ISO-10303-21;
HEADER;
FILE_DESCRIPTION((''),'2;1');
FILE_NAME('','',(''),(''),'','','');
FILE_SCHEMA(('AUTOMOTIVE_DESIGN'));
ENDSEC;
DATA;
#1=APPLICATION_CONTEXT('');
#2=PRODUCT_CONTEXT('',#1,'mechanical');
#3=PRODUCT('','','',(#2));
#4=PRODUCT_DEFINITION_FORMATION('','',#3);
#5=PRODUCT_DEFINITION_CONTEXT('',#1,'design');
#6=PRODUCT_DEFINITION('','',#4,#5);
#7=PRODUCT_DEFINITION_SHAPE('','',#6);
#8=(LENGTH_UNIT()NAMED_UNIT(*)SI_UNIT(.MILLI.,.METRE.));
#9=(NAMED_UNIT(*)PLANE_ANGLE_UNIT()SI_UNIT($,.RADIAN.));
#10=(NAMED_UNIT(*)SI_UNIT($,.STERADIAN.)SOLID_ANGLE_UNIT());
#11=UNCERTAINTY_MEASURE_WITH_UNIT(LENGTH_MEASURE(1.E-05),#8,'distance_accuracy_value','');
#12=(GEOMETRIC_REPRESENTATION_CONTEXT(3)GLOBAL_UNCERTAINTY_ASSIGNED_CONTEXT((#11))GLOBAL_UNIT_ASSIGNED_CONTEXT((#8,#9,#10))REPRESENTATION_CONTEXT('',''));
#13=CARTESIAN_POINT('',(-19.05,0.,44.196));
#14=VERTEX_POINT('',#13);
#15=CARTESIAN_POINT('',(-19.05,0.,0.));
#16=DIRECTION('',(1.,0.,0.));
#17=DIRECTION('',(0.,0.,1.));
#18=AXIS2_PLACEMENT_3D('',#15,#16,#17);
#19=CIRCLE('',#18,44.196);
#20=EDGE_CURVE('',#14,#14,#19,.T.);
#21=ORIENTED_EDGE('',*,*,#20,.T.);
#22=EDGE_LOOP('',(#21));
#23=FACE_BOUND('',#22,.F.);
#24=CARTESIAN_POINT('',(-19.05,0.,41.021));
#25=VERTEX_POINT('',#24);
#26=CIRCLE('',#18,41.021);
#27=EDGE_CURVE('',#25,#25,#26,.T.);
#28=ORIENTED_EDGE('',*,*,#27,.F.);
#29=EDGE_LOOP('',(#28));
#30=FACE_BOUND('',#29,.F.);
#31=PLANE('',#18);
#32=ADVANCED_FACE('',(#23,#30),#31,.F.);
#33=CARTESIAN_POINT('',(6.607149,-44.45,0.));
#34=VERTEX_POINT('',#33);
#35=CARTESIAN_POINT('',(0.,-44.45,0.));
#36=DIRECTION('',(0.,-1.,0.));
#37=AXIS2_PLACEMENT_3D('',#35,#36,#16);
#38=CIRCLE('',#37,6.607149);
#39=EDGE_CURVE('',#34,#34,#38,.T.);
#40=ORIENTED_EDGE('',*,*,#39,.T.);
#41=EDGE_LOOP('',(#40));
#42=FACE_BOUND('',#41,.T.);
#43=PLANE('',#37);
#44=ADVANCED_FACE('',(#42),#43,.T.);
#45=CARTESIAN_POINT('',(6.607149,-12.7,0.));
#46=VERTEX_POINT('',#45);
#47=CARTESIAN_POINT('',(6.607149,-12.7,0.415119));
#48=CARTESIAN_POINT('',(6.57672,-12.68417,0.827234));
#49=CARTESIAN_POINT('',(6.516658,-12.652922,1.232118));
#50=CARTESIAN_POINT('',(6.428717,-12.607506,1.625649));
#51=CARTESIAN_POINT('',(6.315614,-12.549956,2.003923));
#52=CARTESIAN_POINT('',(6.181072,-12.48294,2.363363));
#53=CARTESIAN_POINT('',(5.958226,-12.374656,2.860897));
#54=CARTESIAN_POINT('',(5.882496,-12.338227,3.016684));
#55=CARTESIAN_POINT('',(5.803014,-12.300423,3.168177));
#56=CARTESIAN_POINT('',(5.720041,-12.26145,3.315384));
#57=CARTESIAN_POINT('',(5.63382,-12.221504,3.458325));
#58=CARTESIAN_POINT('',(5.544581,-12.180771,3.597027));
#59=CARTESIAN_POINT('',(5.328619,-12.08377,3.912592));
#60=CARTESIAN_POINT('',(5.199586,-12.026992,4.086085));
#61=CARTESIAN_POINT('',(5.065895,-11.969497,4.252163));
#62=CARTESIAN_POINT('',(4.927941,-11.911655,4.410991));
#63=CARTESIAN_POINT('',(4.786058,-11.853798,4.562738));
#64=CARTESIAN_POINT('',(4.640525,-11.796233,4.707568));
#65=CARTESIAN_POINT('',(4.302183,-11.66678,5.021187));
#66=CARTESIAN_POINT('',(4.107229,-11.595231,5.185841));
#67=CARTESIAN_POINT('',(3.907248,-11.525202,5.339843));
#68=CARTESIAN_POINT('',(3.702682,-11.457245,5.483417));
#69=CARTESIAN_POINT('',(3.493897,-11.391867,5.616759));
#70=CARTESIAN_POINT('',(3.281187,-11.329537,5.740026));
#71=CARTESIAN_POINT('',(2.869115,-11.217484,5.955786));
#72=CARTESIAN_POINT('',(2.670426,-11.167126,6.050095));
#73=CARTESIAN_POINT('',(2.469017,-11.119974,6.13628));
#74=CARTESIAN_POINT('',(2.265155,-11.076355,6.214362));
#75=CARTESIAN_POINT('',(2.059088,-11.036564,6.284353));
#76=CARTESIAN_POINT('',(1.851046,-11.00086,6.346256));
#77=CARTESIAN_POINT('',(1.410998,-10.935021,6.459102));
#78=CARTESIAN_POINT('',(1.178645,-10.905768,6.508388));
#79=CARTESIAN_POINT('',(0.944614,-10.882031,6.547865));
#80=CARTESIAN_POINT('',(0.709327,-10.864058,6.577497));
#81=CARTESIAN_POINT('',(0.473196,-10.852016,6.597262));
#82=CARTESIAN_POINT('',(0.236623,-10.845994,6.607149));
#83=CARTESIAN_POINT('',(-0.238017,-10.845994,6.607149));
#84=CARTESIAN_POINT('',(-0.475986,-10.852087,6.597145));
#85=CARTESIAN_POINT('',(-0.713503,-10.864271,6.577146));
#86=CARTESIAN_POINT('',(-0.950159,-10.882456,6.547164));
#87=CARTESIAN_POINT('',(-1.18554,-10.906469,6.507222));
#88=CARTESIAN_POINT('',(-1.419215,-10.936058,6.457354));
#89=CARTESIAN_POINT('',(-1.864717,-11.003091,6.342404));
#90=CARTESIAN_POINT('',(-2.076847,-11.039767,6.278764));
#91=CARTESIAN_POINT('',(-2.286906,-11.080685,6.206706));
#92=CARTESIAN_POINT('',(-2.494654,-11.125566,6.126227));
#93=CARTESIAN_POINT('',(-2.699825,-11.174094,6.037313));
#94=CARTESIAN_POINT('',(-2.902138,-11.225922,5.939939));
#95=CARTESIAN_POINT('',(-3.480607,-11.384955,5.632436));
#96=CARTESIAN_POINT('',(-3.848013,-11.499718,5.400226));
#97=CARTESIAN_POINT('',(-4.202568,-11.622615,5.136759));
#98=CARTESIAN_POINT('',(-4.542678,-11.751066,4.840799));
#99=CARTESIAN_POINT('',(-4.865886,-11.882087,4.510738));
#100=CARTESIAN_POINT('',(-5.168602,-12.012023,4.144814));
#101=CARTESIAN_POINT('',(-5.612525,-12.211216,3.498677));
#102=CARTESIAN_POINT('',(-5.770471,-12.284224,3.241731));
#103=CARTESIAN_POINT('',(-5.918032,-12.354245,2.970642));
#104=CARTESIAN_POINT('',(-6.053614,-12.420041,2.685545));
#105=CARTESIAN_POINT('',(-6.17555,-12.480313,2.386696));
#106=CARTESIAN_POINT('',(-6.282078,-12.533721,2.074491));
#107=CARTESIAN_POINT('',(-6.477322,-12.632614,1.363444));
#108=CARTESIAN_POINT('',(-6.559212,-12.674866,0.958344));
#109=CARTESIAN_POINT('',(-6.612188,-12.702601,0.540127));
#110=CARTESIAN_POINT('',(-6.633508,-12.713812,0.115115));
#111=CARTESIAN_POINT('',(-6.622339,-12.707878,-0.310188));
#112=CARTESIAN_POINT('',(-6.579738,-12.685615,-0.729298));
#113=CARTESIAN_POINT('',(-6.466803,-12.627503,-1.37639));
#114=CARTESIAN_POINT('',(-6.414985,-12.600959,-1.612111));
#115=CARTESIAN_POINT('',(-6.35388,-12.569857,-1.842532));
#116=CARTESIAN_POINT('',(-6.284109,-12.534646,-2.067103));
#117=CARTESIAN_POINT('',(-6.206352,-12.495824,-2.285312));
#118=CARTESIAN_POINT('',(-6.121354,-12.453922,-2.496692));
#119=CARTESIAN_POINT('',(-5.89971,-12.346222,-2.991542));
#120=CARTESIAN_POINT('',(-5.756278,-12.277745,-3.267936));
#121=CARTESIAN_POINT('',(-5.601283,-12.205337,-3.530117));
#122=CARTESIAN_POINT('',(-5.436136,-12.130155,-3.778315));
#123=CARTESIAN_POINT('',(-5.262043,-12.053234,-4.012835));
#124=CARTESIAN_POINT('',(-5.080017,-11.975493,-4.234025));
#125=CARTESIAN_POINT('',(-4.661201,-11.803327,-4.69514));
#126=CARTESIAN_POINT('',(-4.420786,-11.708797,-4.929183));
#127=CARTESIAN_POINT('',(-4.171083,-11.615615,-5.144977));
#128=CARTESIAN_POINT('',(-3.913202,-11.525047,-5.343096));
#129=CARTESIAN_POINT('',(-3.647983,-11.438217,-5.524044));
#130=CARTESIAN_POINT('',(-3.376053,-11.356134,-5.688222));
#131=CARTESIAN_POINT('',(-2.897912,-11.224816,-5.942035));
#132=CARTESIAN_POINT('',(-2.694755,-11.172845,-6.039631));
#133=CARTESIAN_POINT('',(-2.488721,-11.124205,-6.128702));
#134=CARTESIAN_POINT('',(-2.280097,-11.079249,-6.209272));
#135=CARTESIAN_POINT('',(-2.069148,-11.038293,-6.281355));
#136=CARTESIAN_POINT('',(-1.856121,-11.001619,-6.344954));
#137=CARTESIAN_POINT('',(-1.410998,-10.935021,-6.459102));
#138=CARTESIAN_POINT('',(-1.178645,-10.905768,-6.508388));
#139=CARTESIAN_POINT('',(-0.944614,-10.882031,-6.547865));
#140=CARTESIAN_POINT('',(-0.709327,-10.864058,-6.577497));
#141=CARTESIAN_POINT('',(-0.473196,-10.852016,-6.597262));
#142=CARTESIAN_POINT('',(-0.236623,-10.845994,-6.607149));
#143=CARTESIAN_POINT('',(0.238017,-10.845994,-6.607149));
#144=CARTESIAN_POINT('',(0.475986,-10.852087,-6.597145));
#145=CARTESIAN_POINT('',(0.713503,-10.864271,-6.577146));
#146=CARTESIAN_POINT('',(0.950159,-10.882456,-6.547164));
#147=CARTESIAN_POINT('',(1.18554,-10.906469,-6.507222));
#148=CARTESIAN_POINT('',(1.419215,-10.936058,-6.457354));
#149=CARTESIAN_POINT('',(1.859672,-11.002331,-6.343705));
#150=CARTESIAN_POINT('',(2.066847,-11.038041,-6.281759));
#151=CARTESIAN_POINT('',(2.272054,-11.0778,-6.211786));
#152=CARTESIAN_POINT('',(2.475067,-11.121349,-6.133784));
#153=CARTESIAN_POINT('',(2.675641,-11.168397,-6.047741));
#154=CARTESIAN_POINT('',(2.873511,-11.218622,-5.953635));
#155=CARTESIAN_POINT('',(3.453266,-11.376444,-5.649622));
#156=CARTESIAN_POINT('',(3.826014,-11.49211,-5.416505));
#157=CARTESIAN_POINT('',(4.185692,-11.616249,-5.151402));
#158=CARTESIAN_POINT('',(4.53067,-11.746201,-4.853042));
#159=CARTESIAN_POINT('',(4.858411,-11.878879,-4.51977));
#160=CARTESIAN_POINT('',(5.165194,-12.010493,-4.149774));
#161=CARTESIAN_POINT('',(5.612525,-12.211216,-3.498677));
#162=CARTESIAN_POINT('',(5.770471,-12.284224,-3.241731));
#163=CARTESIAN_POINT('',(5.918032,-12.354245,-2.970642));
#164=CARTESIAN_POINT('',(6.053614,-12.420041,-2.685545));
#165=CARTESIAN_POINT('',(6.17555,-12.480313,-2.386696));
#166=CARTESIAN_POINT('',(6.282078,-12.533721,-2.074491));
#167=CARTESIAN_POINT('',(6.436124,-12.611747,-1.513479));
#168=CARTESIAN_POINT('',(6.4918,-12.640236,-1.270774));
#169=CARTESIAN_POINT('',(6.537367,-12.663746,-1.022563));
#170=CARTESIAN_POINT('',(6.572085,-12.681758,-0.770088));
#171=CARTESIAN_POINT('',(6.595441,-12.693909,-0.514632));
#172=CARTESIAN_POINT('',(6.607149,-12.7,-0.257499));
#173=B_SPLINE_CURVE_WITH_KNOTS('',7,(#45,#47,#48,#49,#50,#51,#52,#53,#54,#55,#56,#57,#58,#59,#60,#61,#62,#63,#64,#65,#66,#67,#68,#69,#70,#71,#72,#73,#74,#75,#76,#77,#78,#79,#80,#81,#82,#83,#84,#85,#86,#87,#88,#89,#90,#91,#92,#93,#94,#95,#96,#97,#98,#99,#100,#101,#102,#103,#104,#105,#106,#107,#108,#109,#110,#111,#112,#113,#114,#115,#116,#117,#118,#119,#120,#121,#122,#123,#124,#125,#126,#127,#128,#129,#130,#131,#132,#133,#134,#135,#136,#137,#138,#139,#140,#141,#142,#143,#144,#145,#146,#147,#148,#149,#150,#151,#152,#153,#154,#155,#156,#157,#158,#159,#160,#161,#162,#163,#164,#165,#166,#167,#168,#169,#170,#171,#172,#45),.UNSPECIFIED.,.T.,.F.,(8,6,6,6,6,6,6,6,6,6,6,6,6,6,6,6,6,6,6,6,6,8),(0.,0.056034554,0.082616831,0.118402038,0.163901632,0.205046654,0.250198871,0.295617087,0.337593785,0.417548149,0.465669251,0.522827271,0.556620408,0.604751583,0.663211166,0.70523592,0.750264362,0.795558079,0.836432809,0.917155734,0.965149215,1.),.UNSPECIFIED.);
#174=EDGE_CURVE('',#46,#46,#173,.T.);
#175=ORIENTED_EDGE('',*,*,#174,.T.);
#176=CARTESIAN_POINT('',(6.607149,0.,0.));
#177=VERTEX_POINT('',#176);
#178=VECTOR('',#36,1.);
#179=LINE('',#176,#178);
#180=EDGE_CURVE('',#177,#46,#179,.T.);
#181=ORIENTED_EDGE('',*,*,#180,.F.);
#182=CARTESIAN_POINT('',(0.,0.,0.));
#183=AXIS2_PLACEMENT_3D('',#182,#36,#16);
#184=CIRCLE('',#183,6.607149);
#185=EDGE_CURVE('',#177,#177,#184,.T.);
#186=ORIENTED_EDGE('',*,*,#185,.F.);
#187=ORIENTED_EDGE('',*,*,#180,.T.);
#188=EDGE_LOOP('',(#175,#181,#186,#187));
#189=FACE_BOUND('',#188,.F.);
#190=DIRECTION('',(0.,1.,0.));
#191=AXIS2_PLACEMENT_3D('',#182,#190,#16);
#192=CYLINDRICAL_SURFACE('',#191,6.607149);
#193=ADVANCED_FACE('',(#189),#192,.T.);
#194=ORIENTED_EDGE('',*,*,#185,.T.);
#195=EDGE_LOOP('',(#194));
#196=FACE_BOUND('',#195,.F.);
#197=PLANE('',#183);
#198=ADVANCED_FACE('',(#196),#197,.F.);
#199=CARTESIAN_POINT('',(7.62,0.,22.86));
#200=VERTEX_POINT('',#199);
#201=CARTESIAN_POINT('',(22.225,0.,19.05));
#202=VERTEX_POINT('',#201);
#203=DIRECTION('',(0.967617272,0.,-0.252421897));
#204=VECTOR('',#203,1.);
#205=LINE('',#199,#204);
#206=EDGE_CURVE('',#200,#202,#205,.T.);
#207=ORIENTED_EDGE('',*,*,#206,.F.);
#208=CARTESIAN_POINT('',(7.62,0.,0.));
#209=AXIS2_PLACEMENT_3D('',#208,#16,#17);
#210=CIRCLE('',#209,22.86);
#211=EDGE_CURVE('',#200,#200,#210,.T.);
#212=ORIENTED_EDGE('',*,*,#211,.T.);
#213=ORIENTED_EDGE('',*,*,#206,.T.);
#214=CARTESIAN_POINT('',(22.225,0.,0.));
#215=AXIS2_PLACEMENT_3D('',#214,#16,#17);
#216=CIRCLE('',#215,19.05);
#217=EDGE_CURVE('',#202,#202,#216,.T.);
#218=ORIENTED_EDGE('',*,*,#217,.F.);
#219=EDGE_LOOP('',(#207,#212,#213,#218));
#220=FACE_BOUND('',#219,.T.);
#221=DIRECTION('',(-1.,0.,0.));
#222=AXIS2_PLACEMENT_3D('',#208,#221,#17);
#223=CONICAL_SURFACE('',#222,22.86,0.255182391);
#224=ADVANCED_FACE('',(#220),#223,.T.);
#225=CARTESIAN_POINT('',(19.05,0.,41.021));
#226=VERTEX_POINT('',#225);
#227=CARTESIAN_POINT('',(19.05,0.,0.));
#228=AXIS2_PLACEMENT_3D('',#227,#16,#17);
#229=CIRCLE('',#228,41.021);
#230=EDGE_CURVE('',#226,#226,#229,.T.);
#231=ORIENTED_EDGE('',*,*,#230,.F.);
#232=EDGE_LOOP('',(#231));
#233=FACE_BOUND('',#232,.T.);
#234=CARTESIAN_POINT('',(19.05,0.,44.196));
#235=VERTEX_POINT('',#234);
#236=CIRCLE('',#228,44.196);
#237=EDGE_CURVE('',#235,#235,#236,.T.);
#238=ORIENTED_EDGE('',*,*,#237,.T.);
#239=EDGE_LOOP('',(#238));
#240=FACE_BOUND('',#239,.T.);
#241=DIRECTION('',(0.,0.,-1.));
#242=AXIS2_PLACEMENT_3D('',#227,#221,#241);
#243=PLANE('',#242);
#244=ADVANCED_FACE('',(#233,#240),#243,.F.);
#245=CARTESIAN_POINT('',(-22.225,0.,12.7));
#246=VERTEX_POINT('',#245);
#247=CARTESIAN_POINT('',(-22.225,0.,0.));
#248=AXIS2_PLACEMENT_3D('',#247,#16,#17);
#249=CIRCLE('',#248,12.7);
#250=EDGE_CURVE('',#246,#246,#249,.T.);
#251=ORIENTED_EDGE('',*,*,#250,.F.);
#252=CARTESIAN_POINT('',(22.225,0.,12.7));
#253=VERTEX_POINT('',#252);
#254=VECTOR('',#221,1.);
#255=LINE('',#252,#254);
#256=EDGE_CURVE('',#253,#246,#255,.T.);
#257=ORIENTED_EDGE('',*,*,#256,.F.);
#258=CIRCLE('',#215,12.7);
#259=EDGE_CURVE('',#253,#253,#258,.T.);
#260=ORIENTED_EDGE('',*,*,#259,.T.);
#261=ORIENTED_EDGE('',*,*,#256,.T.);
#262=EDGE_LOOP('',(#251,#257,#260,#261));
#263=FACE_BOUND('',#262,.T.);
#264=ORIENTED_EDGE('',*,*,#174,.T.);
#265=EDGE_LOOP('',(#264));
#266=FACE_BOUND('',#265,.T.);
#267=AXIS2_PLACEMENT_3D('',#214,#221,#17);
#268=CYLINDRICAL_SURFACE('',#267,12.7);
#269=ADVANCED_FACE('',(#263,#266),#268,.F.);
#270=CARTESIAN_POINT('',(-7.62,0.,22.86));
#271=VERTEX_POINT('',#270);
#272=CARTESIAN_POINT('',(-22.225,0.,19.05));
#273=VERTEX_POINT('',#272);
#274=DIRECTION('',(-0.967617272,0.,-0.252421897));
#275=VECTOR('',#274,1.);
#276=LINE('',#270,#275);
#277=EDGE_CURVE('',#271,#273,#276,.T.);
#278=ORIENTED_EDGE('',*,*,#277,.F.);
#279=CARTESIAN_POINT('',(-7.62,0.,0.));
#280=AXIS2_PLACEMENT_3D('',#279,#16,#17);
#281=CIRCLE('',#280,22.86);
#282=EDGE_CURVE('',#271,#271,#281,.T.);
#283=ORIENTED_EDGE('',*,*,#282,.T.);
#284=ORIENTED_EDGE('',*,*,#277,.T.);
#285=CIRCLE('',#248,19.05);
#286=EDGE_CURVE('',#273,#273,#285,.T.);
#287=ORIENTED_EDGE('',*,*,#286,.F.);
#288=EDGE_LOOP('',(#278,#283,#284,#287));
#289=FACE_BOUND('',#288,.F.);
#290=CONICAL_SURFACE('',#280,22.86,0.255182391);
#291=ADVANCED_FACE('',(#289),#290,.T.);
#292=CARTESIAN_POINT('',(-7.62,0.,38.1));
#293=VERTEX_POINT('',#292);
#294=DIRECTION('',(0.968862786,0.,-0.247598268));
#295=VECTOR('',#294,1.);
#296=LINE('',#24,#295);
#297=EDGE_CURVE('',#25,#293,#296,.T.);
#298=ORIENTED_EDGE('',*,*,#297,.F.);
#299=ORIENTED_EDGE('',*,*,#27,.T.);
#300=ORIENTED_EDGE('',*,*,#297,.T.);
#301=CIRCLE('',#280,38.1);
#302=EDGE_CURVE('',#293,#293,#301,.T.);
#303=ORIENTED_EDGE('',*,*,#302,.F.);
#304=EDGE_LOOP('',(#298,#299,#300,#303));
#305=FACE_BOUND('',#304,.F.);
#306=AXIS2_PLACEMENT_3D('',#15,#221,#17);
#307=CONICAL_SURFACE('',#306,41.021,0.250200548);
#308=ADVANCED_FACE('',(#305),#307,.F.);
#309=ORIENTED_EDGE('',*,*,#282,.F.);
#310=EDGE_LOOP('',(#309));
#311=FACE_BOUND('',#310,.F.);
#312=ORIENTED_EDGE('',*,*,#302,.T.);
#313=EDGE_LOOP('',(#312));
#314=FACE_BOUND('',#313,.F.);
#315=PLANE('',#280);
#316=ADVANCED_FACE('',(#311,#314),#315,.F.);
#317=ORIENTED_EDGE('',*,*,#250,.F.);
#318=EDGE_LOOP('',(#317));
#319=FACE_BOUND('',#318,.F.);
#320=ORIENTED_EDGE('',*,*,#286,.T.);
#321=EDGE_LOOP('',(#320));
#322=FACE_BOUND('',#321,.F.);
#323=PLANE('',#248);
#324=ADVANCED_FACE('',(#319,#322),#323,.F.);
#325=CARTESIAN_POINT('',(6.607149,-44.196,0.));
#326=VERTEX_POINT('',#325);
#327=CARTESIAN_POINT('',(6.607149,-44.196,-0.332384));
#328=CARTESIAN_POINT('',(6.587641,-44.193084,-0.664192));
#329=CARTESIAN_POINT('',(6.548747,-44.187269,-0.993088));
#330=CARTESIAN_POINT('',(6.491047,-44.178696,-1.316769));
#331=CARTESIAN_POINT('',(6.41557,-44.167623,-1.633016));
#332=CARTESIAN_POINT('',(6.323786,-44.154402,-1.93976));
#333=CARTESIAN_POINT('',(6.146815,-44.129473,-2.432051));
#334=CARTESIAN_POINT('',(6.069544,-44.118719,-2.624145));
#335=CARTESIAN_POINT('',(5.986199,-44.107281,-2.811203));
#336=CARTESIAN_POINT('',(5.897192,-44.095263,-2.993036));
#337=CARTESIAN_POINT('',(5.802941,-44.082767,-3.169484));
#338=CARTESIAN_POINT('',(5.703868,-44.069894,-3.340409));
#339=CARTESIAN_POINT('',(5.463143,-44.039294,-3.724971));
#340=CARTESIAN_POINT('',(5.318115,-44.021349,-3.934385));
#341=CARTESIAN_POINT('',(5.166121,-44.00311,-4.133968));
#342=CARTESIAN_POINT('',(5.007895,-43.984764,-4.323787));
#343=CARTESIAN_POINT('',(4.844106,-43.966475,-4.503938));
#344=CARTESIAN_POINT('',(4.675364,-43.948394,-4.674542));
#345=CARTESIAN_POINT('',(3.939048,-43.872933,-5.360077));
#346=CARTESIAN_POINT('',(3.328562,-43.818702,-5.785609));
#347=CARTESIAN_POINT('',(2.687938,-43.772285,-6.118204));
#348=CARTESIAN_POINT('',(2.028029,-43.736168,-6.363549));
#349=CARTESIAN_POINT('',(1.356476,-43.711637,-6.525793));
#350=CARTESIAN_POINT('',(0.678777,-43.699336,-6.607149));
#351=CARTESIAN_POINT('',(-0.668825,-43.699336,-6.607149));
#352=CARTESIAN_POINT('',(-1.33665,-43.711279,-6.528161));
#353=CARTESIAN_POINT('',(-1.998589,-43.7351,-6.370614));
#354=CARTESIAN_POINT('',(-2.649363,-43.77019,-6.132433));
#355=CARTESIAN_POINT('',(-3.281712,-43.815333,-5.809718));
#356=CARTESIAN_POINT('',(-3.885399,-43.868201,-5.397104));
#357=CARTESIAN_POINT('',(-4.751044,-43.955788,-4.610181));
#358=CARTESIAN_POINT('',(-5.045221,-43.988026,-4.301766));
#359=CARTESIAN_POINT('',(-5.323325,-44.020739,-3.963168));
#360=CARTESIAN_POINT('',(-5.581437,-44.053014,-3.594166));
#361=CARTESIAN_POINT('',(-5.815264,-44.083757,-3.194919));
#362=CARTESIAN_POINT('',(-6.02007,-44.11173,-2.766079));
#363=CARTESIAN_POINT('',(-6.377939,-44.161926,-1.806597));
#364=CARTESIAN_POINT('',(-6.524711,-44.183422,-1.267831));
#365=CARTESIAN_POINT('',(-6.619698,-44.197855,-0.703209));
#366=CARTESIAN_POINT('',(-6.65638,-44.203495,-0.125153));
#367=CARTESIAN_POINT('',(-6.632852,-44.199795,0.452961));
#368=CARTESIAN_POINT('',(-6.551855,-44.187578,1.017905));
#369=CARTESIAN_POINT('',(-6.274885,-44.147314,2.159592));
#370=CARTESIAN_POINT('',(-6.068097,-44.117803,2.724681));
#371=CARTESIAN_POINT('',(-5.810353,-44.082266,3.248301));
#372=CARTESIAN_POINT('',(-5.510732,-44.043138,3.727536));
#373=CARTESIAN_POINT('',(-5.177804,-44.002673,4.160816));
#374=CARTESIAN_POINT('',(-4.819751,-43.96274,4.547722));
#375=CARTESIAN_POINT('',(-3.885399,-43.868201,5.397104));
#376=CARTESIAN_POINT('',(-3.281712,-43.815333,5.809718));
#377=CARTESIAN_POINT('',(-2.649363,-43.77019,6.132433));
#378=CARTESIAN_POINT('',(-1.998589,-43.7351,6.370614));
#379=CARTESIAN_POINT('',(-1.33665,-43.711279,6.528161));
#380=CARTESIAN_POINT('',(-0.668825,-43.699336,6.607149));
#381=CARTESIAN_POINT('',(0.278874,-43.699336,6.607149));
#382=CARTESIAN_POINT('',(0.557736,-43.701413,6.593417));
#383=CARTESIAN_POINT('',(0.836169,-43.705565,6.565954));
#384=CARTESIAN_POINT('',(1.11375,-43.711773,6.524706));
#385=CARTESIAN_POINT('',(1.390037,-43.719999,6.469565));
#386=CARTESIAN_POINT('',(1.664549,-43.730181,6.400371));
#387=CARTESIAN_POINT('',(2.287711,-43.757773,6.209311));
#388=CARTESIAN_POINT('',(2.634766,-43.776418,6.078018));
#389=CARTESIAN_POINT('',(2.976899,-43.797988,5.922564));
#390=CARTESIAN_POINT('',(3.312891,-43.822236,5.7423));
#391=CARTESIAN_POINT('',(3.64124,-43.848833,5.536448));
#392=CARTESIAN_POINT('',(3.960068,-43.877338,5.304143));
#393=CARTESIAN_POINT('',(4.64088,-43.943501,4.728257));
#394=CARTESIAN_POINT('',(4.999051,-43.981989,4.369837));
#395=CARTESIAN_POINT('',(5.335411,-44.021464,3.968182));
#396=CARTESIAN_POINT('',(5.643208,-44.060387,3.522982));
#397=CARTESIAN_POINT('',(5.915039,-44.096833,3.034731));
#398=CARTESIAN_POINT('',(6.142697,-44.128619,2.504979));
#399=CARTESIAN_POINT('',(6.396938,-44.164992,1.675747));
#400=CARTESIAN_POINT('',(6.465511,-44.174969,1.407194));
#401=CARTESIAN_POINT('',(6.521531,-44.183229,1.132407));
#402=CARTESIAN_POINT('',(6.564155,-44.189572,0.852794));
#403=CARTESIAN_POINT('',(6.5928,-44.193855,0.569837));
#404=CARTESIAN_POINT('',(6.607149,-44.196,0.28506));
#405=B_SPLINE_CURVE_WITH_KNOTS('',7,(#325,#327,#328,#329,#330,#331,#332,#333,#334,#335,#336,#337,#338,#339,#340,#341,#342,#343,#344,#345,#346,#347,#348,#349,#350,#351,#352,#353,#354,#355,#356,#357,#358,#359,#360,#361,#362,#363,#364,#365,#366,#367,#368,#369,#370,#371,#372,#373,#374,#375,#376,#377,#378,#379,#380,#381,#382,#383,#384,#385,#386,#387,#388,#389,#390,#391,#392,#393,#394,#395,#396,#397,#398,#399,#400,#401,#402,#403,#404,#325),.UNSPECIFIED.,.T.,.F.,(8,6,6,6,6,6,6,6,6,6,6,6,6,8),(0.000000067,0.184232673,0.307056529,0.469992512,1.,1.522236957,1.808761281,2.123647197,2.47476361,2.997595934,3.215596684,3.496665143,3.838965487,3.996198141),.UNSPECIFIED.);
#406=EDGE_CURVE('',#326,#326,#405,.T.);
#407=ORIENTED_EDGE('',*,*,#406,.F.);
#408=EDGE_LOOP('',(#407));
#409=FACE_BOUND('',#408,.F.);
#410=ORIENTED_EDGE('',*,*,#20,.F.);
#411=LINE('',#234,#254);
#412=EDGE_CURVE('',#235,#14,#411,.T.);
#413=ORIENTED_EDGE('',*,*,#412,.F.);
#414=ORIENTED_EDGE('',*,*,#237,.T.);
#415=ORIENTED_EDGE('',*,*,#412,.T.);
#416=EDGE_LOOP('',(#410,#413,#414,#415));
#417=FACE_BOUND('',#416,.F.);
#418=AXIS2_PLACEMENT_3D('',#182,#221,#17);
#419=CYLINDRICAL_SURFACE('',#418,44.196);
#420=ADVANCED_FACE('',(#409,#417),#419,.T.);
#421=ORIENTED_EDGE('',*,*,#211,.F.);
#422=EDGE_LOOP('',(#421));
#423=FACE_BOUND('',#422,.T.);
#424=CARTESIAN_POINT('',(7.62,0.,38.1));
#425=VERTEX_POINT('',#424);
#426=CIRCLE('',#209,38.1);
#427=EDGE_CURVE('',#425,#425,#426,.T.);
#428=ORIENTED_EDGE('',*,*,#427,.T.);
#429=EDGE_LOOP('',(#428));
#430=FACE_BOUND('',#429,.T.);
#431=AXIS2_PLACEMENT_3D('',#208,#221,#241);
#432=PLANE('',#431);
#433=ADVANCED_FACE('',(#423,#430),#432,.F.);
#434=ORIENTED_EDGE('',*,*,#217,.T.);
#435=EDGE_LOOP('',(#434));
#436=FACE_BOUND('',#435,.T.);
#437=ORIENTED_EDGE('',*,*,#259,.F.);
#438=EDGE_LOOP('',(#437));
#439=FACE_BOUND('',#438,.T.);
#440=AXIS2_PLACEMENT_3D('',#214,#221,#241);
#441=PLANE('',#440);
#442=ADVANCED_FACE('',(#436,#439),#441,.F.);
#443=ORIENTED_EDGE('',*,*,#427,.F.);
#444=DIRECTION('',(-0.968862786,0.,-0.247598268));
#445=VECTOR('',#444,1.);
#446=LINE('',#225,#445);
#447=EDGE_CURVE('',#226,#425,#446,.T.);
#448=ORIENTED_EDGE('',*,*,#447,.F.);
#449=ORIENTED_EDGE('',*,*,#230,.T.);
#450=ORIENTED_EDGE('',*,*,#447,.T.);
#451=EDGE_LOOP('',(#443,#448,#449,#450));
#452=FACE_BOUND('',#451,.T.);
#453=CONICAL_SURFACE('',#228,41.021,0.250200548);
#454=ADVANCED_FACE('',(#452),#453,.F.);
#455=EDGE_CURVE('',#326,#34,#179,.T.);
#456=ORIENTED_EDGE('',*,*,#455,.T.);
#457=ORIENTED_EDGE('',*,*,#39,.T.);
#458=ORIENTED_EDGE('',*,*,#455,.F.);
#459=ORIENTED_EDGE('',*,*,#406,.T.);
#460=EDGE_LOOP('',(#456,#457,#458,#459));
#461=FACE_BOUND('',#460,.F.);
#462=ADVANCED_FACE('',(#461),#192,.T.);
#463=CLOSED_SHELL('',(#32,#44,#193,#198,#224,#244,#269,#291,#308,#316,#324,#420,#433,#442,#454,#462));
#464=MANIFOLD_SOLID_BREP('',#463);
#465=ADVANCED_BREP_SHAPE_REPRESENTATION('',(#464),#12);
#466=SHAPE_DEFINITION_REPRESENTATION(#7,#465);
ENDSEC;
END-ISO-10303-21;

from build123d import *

# Parameters (mm, degrees)
F3_R     = 6.607149
F4_DEPTH = 44.45


with BuildPart() as f1:
    # F0 (on Front) → F1 (revolve)
    with BuildSketch(Plane.XZ):
        Polygon((-22.225, 12.7), (0, 12.7), (0, 44.196), (-19.05, 44.196), (-19.05, 41.021), (-7.62, 38.1), (-7.62, 22.86), (-22.225, 19.05), align=None)
    revolve(axis=Axis((-1.534584, 0, 0), (1, 0, 0)))

    # F2: F1 across face


with BuildPart() as f1_1:
    add(f1.part)
    add(f1.part.mirror(Plane.YZ))

    # F3 (on Front) → F4 (join)
    with BuildSketch(Plane.XZ):
        Circle(F3_R)
    extrude(amount=F4_DEPTH)


solid = f1_1.part
